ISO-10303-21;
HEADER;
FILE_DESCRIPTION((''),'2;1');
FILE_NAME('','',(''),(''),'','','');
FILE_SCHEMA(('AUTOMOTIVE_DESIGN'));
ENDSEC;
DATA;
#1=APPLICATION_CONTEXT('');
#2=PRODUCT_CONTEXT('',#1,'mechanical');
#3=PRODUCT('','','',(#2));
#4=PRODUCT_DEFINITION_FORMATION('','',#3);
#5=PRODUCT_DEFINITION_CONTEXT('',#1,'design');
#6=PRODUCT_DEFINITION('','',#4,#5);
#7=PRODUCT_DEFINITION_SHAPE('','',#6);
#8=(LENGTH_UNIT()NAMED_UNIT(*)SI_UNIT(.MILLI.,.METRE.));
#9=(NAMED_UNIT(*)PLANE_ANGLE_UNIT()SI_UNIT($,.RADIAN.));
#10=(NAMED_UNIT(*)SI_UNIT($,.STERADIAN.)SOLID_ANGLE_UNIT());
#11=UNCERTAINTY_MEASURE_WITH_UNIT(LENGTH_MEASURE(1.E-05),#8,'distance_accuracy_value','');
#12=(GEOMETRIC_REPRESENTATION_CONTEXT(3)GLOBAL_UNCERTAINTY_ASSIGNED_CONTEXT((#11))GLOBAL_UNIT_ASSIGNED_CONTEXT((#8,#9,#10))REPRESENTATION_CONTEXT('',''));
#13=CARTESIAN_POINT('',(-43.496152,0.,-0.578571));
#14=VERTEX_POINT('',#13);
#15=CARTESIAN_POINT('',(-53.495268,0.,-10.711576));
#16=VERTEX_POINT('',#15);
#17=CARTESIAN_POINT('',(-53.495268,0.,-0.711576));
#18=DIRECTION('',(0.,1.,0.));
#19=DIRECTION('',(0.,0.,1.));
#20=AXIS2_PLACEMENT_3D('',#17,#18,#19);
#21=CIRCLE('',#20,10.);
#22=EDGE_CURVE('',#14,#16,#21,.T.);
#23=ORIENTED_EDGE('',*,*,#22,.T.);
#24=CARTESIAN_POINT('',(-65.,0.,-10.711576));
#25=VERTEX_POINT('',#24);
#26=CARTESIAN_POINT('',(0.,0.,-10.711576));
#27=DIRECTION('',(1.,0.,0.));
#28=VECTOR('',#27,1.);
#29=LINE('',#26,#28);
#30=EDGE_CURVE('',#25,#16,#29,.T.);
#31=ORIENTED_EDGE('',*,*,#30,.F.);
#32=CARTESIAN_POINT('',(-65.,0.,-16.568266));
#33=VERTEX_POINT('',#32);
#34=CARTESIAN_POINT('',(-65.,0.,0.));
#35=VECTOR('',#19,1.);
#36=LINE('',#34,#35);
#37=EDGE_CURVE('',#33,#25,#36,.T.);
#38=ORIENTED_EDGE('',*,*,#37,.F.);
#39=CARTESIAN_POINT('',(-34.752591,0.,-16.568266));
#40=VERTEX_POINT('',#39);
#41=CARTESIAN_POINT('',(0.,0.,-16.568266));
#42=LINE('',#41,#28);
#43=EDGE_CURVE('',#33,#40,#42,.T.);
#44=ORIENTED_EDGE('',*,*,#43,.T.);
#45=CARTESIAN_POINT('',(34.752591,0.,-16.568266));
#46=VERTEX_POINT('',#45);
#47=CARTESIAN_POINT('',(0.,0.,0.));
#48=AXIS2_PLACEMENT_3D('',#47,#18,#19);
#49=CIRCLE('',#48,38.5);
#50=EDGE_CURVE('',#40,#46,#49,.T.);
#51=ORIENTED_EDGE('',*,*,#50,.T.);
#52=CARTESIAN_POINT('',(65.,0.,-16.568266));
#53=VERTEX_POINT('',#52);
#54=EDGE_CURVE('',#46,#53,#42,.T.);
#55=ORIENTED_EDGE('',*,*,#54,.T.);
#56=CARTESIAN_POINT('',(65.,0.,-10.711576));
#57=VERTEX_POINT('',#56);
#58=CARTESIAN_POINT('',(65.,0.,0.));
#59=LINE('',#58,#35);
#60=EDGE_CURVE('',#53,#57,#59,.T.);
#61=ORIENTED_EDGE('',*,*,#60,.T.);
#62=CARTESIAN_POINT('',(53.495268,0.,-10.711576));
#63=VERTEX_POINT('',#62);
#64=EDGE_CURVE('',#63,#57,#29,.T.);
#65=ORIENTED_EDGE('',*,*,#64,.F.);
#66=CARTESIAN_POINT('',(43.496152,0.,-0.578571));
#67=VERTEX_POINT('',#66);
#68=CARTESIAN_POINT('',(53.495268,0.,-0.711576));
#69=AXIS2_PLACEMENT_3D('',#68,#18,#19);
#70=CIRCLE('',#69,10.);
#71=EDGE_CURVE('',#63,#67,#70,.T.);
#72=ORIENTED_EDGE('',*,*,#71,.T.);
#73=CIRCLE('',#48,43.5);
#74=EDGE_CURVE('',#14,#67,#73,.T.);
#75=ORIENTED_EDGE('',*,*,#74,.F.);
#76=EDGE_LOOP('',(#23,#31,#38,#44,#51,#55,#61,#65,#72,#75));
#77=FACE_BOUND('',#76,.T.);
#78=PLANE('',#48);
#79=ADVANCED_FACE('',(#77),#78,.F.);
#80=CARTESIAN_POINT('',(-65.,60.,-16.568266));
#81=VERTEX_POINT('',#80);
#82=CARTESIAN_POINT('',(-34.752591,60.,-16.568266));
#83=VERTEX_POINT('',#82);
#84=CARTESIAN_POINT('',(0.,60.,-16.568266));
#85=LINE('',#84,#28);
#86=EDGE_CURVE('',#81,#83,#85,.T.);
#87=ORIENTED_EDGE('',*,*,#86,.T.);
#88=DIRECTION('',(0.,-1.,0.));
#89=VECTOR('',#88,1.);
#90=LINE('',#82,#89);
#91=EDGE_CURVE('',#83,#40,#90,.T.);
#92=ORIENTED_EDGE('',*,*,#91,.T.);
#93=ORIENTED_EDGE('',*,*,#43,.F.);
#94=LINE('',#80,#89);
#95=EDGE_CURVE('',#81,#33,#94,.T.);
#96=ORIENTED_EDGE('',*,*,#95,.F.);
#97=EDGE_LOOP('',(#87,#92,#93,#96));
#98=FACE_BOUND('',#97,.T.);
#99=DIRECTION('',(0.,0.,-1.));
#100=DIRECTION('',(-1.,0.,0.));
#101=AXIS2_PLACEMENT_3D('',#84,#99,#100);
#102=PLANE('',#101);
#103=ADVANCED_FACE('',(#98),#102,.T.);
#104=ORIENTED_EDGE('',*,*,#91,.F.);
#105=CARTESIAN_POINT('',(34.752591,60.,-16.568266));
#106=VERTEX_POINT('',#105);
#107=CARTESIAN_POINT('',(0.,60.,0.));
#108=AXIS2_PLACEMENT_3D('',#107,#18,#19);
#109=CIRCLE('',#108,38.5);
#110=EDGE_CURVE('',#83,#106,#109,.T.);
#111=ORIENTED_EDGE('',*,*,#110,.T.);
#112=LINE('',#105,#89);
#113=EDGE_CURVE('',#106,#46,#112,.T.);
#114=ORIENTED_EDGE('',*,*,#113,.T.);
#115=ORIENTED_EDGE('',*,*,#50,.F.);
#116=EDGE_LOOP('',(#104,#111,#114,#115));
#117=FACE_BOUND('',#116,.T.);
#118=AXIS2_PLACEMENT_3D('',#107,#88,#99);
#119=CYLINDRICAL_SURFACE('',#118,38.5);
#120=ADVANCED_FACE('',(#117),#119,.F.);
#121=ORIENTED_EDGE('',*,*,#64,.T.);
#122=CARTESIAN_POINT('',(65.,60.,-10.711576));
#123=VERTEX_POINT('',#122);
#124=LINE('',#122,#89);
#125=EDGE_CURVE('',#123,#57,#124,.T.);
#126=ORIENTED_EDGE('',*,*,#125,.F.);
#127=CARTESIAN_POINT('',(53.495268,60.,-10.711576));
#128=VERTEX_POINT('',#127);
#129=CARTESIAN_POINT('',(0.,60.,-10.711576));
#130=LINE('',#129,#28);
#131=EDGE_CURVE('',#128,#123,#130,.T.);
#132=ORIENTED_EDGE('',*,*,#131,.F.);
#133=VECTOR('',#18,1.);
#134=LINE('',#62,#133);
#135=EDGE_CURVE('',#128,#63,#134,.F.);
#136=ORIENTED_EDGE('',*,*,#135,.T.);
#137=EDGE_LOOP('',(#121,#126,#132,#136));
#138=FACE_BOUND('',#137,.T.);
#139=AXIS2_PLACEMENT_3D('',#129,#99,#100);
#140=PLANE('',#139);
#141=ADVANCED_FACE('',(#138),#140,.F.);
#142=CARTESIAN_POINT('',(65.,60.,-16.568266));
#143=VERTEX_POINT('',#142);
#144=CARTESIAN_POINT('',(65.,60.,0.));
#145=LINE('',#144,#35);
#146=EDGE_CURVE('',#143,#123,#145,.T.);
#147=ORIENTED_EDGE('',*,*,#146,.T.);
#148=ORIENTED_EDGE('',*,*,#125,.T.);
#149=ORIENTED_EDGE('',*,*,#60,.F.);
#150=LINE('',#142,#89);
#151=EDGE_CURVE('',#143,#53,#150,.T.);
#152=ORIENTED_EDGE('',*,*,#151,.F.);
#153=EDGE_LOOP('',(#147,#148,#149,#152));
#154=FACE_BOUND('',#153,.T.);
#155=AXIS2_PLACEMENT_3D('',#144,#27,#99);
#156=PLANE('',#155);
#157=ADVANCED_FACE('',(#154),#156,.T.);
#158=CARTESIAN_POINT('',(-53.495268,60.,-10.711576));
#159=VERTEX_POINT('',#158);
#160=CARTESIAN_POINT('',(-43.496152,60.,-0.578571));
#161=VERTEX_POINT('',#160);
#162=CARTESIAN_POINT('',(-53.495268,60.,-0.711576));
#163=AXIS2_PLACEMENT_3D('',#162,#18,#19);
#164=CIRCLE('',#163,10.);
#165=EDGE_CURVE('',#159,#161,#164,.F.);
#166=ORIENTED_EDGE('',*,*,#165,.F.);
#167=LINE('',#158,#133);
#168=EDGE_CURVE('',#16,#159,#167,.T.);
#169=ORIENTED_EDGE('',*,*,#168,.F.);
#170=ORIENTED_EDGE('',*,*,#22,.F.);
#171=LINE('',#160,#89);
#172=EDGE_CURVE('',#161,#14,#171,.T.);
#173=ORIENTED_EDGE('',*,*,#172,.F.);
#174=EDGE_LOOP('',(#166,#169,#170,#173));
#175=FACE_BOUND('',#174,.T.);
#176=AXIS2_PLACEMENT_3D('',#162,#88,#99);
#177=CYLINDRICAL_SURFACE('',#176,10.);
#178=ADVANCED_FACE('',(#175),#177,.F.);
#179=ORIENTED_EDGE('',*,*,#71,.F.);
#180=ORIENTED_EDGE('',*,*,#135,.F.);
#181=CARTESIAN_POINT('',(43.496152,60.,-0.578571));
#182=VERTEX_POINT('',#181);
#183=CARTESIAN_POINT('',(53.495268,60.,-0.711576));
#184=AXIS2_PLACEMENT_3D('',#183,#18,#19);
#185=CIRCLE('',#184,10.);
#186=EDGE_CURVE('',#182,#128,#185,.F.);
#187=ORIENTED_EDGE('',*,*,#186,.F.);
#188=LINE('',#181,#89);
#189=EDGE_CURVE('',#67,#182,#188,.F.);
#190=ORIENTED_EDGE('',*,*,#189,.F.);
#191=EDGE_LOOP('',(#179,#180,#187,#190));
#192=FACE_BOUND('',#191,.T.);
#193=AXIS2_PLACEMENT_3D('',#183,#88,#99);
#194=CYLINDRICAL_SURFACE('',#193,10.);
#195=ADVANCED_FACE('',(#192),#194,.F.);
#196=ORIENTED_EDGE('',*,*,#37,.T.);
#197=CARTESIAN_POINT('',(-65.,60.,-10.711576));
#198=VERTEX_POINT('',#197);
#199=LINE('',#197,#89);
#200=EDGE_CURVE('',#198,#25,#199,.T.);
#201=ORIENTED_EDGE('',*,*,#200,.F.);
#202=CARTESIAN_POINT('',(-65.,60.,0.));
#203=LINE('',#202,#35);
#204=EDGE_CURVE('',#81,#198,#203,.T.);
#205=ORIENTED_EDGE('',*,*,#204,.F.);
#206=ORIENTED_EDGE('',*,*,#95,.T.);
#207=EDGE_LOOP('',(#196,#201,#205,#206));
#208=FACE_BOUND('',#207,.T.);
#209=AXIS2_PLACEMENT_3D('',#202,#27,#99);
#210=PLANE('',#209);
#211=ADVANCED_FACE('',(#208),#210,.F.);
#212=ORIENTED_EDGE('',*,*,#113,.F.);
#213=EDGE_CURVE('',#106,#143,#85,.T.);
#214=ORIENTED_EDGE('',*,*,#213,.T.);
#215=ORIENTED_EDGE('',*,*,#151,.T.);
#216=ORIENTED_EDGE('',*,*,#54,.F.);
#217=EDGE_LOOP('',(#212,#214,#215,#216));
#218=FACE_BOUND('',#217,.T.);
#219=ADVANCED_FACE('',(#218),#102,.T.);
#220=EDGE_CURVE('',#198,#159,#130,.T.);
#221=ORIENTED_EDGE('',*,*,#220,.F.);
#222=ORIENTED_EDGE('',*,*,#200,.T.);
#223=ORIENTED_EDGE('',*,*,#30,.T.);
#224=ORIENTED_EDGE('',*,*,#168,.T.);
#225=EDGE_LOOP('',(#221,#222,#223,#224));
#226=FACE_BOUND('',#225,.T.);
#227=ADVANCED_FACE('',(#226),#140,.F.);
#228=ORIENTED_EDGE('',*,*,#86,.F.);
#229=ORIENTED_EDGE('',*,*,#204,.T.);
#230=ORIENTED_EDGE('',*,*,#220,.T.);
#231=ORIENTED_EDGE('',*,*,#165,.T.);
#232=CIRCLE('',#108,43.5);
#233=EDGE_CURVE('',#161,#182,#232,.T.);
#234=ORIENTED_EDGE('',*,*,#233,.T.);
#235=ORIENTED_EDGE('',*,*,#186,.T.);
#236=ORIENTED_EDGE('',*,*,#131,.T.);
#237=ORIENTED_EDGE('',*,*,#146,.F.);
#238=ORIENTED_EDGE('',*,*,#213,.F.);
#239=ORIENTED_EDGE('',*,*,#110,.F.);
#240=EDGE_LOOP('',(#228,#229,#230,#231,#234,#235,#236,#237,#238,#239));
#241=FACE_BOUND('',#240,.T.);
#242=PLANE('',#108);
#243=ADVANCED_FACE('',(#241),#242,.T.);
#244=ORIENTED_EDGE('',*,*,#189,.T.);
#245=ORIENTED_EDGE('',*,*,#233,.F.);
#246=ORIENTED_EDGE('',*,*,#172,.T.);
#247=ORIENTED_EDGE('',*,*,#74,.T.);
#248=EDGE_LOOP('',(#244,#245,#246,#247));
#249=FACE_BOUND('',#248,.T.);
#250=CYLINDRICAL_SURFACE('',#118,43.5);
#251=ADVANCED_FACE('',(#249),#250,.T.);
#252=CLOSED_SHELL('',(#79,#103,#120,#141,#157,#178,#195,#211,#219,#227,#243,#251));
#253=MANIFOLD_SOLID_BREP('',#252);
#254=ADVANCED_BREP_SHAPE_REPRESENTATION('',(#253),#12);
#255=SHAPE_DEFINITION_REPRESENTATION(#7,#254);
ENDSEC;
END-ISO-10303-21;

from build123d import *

# Parameters (mm, degrees)
BOSS_EXTRUDE2_DEPTH = 60
FILLET3_R           = 10


with BuildPart() as part:
    # Sketch1 → Boss-Extrude2 (new body)
    with BuildSketch(Plane(origin=(0, 0, 0), x_dir=(1, 0, 0), z_dir=(0, 1, 0))):
        with BuildLine():
            Line((-65, 10.711576414), (-42.160551831, 10.711576414))
            ThreePointArc((-42.160551831, 10.711576414), (0, -43.5), (42.160551831, 10.711576414))
            Line((42.160551831, 10.711576414), (65, 10.711576414))
            Line((65, 10.711576414), (65, 16.568265676))
            Line((65, 16.568265676), (34.752590874, 16.568265676))
            ThreePointArc((34.752590874, 16.568265676), (0, -38.5), (-34.752590874, 16.568265676))
            Line((-34.752590874, 16.568265676), (-65, 16.568265676))
            Line((-65, 16.568265676), (-65, 10.711576414))
        make_face()
    extrude(amount=BOSS_EXTRUDE2_DEPTH)

    # Fillet3
    fillet3_edges = [part.edges().sort_by_distance(p)[0] for p in [
        (42.160551831, 30, -10.711576414),
        (-42.160551831, 30, -10.711576414),
    ]]
    fillet(fillet3_edges, radius=FILLET3_R)


solid = part.part
